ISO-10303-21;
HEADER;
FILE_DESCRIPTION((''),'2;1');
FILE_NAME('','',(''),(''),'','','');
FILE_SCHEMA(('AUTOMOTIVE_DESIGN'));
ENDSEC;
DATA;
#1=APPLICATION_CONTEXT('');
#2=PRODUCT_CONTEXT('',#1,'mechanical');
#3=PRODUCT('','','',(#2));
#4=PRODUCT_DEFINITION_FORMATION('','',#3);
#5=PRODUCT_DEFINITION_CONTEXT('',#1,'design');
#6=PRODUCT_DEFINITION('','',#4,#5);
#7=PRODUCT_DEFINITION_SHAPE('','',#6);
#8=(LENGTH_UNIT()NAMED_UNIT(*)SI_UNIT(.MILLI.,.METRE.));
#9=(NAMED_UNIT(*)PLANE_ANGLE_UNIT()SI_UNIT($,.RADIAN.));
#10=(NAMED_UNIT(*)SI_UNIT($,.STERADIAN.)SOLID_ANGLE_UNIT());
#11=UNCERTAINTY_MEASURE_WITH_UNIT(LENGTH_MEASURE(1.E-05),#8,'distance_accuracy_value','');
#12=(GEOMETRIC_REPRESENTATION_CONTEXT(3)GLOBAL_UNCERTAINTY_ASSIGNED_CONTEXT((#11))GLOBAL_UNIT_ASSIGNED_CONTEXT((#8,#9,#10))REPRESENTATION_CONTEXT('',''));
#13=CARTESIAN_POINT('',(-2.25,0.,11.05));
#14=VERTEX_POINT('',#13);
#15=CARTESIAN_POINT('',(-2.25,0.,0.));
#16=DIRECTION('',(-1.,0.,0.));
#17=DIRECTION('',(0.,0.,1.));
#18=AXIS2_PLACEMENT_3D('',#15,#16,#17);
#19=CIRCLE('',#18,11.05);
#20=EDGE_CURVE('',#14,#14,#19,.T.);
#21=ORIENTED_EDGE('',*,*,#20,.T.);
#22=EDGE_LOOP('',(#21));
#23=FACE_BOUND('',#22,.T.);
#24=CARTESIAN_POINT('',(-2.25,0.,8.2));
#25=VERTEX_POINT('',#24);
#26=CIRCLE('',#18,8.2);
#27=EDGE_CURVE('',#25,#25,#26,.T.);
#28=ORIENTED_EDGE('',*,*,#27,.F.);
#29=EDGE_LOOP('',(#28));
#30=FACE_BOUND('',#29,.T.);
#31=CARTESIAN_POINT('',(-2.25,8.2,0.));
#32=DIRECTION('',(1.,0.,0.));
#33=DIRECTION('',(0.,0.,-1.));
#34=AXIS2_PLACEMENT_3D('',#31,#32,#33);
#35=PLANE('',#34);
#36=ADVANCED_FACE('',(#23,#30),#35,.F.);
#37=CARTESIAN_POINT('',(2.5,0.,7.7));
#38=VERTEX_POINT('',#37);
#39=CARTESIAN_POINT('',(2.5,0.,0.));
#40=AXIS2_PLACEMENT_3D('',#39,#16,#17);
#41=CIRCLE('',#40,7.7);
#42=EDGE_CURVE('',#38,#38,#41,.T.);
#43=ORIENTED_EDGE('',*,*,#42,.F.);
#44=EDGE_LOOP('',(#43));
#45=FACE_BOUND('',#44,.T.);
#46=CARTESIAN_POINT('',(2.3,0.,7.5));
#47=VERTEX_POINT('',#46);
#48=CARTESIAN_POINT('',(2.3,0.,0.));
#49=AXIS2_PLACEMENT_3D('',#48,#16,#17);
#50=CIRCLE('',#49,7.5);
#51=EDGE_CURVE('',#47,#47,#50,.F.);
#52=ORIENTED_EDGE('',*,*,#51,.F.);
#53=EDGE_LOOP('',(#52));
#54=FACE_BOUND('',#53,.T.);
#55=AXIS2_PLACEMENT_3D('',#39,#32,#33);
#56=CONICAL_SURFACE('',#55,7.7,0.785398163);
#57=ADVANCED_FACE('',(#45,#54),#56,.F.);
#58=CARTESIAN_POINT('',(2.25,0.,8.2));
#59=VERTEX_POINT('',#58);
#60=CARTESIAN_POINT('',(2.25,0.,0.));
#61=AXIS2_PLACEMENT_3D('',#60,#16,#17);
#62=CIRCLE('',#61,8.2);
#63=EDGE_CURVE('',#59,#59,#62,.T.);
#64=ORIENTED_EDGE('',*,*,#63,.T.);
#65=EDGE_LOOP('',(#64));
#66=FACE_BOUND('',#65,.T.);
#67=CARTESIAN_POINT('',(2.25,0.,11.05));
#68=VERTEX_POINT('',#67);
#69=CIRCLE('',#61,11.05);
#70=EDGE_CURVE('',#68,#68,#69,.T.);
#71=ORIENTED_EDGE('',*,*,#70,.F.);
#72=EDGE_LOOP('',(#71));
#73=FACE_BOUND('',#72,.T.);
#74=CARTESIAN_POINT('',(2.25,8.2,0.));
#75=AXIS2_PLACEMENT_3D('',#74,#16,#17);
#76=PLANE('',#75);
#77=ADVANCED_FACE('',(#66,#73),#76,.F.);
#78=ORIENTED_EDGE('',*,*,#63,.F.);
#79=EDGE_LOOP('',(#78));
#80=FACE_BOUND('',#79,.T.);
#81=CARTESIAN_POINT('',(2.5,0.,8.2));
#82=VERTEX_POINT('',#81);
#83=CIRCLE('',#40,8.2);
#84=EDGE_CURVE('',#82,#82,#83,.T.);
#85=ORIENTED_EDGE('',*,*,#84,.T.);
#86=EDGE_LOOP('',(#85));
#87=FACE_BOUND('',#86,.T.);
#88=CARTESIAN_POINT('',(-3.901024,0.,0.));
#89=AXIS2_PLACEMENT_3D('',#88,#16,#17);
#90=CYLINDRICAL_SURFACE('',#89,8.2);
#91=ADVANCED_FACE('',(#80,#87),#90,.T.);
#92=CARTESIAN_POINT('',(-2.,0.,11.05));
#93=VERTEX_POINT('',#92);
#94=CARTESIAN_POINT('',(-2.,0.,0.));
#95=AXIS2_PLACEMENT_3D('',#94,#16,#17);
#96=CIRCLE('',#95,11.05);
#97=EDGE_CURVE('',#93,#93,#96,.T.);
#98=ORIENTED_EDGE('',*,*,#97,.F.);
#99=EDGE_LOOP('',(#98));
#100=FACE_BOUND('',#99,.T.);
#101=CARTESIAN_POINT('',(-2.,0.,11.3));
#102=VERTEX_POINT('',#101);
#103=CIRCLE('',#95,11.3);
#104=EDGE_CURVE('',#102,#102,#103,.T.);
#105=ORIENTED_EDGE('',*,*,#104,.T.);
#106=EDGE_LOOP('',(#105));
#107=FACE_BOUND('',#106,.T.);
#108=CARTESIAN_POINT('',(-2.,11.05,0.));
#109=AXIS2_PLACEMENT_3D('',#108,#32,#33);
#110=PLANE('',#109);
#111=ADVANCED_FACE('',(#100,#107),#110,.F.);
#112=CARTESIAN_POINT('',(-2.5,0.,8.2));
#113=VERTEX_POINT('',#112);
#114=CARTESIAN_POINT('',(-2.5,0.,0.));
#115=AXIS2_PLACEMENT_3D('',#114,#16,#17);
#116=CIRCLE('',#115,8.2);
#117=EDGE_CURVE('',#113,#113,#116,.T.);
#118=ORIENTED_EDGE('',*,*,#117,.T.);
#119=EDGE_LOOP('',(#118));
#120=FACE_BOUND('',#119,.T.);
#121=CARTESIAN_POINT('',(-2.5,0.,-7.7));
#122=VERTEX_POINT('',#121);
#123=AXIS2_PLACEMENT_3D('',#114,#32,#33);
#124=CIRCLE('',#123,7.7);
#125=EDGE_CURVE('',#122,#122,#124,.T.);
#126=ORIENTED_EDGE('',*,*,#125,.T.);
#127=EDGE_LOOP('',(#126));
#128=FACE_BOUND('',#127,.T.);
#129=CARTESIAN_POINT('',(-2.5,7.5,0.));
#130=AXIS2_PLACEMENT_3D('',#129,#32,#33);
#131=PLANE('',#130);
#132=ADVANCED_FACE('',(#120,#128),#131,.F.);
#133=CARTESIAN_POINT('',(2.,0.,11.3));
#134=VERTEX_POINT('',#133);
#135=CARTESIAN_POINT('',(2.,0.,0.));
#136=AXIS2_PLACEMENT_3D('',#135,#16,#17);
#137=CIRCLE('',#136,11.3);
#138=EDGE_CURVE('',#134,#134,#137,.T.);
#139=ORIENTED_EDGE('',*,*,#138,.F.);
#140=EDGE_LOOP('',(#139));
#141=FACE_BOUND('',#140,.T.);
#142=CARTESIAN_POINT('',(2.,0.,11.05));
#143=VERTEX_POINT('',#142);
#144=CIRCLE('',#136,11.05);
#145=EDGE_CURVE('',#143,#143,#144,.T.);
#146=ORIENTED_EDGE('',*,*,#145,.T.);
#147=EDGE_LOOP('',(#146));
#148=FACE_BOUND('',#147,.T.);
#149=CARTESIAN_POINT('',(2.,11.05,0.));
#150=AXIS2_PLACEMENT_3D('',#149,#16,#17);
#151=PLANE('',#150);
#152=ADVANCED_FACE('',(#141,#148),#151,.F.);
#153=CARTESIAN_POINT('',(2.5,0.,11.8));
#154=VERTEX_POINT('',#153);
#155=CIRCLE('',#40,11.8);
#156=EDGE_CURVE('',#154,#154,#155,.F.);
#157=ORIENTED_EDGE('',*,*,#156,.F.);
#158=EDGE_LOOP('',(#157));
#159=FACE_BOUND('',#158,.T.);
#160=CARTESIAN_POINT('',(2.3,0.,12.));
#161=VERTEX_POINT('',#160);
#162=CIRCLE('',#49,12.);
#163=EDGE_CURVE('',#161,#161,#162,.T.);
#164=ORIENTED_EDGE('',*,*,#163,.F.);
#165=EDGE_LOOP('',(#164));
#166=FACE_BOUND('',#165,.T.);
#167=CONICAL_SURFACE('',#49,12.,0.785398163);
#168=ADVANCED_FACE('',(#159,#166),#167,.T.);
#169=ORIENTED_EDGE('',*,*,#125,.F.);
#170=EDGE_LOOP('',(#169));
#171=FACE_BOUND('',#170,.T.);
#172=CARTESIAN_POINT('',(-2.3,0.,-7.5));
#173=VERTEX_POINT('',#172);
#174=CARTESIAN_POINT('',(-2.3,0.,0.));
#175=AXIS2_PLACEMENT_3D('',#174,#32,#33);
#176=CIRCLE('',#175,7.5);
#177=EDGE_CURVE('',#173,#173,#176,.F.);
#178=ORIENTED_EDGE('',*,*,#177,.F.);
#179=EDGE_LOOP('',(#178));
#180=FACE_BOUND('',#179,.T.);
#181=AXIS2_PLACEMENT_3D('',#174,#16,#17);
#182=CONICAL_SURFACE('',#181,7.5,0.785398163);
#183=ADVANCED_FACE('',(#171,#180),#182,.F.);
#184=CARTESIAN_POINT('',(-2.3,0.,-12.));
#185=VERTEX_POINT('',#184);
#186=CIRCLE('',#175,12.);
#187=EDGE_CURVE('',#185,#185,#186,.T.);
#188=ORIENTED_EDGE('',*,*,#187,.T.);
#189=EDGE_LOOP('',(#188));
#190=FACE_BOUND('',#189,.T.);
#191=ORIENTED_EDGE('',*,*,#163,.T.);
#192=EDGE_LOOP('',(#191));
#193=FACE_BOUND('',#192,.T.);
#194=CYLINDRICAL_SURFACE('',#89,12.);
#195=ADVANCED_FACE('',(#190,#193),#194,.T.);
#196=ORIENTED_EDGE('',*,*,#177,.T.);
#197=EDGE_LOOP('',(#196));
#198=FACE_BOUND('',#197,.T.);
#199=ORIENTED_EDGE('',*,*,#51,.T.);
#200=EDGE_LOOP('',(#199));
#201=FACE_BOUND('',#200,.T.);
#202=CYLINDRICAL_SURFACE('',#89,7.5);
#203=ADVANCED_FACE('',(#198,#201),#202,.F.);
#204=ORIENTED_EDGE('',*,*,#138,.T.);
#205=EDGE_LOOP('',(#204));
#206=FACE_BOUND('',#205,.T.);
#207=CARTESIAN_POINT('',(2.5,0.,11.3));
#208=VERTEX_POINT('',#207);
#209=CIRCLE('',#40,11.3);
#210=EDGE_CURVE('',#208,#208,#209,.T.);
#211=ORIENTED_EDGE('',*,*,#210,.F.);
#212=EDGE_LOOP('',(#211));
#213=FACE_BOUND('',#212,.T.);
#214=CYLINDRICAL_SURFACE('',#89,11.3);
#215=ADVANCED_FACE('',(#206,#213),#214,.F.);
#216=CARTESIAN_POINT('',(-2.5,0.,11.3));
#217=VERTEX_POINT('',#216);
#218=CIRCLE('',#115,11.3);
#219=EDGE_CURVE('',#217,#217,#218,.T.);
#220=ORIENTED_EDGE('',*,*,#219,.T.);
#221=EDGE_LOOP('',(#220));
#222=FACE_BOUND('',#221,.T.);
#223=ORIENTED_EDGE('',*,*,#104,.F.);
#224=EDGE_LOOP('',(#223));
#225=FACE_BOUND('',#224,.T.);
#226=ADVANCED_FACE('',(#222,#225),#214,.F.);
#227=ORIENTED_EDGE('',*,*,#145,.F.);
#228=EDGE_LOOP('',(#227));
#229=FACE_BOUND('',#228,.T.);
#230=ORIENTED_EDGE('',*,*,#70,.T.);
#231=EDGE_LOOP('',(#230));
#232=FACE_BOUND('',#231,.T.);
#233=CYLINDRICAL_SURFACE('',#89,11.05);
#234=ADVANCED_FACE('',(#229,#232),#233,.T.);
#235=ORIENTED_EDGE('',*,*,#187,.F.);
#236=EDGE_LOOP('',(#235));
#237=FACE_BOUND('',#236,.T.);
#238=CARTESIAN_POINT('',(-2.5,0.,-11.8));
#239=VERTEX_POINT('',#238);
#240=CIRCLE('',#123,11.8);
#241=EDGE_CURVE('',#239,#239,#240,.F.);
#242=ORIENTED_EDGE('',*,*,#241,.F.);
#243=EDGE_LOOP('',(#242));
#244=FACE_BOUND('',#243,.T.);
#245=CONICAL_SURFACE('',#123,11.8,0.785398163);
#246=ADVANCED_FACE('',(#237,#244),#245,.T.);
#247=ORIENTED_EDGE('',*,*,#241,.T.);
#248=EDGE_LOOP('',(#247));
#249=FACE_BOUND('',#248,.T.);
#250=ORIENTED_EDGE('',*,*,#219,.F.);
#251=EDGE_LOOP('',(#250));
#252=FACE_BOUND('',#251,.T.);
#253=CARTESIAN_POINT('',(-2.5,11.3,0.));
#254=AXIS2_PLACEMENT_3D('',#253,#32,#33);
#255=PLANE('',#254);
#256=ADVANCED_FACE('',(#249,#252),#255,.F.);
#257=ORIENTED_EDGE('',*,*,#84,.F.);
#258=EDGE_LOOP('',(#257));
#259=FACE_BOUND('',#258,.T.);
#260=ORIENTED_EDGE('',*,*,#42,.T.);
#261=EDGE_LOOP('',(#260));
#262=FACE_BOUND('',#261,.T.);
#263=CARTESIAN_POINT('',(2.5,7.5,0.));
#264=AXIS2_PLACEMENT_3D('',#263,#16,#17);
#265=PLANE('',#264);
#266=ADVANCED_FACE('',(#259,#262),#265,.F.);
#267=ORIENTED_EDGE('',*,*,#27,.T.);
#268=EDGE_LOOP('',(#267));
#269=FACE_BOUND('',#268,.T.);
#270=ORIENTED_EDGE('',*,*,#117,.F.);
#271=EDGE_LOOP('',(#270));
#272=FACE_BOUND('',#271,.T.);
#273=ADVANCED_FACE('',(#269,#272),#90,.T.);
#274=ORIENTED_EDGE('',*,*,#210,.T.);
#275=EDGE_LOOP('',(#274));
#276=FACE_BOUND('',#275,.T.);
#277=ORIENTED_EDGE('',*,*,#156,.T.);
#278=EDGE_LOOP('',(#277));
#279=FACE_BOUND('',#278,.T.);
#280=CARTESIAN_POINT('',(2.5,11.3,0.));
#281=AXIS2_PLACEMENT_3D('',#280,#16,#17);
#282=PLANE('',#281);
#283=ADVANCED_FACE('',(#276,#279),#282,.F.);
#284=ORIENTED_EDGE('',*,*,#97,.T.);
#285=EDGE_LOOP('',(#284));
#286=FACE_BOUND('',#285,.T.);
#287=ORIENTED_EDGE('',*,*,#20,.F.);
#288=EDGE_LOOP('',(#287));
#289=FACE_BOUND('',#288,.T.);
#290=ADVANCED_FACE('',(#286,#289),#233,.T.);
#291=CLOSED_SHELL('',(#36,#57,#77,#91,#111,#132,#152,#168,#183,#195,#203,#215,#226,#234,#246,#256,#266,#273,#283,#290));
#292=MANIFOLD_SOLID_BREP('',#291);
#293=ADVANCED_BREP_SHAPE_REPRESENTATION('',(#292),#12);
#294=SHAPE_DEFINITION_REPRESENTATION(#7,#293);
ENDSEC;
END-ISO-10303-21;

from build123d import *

# Parameters (mm, degrees)
CHAMFER_1_SIZE = 0.2


with BuildPart() as part:
    # 草图1 → 旋转1 (revolve)
    with BuildSketch(Plane.XY, mode=Mode.PRIVATE) as revolve_1_sk:
        Polygon((-2.5, 7.5), (2.5, 7.5), (2.5, 8.2), (2.25, 8.2), (2.25, 11.05), (2, 11.05), (2, 11.3), (2.5, 11.3), (2.5, 12), (-2.5, 12), (-2.5, 11.3), (-2, 11.3), (-2, 11.05), (-2.25, 11.05), (-2.25, 8.2), (-2.5, 8.2), align=None)
    revolve(revolve_1_sk.sketch.rotate(Axis((-3.90102381, 0, 0), (1, 0, 0)), 90), axis=Axis((-3.90102381, 0, 0), (1, 0, 0)))

    # 倒角1
    chamfer_1_edges = [part.edges().sort_by_distance(p)[0] for p in [
        (-2.5, 0, -12),
        (2.5, 0, -12),
        (2.5, 0, -7.5),
        (-2.5, 0, -7.5),
    ]]
    chamfer(chamfer_1_edges, length=CHAMFER_1_SIZE)


solid = part.part
